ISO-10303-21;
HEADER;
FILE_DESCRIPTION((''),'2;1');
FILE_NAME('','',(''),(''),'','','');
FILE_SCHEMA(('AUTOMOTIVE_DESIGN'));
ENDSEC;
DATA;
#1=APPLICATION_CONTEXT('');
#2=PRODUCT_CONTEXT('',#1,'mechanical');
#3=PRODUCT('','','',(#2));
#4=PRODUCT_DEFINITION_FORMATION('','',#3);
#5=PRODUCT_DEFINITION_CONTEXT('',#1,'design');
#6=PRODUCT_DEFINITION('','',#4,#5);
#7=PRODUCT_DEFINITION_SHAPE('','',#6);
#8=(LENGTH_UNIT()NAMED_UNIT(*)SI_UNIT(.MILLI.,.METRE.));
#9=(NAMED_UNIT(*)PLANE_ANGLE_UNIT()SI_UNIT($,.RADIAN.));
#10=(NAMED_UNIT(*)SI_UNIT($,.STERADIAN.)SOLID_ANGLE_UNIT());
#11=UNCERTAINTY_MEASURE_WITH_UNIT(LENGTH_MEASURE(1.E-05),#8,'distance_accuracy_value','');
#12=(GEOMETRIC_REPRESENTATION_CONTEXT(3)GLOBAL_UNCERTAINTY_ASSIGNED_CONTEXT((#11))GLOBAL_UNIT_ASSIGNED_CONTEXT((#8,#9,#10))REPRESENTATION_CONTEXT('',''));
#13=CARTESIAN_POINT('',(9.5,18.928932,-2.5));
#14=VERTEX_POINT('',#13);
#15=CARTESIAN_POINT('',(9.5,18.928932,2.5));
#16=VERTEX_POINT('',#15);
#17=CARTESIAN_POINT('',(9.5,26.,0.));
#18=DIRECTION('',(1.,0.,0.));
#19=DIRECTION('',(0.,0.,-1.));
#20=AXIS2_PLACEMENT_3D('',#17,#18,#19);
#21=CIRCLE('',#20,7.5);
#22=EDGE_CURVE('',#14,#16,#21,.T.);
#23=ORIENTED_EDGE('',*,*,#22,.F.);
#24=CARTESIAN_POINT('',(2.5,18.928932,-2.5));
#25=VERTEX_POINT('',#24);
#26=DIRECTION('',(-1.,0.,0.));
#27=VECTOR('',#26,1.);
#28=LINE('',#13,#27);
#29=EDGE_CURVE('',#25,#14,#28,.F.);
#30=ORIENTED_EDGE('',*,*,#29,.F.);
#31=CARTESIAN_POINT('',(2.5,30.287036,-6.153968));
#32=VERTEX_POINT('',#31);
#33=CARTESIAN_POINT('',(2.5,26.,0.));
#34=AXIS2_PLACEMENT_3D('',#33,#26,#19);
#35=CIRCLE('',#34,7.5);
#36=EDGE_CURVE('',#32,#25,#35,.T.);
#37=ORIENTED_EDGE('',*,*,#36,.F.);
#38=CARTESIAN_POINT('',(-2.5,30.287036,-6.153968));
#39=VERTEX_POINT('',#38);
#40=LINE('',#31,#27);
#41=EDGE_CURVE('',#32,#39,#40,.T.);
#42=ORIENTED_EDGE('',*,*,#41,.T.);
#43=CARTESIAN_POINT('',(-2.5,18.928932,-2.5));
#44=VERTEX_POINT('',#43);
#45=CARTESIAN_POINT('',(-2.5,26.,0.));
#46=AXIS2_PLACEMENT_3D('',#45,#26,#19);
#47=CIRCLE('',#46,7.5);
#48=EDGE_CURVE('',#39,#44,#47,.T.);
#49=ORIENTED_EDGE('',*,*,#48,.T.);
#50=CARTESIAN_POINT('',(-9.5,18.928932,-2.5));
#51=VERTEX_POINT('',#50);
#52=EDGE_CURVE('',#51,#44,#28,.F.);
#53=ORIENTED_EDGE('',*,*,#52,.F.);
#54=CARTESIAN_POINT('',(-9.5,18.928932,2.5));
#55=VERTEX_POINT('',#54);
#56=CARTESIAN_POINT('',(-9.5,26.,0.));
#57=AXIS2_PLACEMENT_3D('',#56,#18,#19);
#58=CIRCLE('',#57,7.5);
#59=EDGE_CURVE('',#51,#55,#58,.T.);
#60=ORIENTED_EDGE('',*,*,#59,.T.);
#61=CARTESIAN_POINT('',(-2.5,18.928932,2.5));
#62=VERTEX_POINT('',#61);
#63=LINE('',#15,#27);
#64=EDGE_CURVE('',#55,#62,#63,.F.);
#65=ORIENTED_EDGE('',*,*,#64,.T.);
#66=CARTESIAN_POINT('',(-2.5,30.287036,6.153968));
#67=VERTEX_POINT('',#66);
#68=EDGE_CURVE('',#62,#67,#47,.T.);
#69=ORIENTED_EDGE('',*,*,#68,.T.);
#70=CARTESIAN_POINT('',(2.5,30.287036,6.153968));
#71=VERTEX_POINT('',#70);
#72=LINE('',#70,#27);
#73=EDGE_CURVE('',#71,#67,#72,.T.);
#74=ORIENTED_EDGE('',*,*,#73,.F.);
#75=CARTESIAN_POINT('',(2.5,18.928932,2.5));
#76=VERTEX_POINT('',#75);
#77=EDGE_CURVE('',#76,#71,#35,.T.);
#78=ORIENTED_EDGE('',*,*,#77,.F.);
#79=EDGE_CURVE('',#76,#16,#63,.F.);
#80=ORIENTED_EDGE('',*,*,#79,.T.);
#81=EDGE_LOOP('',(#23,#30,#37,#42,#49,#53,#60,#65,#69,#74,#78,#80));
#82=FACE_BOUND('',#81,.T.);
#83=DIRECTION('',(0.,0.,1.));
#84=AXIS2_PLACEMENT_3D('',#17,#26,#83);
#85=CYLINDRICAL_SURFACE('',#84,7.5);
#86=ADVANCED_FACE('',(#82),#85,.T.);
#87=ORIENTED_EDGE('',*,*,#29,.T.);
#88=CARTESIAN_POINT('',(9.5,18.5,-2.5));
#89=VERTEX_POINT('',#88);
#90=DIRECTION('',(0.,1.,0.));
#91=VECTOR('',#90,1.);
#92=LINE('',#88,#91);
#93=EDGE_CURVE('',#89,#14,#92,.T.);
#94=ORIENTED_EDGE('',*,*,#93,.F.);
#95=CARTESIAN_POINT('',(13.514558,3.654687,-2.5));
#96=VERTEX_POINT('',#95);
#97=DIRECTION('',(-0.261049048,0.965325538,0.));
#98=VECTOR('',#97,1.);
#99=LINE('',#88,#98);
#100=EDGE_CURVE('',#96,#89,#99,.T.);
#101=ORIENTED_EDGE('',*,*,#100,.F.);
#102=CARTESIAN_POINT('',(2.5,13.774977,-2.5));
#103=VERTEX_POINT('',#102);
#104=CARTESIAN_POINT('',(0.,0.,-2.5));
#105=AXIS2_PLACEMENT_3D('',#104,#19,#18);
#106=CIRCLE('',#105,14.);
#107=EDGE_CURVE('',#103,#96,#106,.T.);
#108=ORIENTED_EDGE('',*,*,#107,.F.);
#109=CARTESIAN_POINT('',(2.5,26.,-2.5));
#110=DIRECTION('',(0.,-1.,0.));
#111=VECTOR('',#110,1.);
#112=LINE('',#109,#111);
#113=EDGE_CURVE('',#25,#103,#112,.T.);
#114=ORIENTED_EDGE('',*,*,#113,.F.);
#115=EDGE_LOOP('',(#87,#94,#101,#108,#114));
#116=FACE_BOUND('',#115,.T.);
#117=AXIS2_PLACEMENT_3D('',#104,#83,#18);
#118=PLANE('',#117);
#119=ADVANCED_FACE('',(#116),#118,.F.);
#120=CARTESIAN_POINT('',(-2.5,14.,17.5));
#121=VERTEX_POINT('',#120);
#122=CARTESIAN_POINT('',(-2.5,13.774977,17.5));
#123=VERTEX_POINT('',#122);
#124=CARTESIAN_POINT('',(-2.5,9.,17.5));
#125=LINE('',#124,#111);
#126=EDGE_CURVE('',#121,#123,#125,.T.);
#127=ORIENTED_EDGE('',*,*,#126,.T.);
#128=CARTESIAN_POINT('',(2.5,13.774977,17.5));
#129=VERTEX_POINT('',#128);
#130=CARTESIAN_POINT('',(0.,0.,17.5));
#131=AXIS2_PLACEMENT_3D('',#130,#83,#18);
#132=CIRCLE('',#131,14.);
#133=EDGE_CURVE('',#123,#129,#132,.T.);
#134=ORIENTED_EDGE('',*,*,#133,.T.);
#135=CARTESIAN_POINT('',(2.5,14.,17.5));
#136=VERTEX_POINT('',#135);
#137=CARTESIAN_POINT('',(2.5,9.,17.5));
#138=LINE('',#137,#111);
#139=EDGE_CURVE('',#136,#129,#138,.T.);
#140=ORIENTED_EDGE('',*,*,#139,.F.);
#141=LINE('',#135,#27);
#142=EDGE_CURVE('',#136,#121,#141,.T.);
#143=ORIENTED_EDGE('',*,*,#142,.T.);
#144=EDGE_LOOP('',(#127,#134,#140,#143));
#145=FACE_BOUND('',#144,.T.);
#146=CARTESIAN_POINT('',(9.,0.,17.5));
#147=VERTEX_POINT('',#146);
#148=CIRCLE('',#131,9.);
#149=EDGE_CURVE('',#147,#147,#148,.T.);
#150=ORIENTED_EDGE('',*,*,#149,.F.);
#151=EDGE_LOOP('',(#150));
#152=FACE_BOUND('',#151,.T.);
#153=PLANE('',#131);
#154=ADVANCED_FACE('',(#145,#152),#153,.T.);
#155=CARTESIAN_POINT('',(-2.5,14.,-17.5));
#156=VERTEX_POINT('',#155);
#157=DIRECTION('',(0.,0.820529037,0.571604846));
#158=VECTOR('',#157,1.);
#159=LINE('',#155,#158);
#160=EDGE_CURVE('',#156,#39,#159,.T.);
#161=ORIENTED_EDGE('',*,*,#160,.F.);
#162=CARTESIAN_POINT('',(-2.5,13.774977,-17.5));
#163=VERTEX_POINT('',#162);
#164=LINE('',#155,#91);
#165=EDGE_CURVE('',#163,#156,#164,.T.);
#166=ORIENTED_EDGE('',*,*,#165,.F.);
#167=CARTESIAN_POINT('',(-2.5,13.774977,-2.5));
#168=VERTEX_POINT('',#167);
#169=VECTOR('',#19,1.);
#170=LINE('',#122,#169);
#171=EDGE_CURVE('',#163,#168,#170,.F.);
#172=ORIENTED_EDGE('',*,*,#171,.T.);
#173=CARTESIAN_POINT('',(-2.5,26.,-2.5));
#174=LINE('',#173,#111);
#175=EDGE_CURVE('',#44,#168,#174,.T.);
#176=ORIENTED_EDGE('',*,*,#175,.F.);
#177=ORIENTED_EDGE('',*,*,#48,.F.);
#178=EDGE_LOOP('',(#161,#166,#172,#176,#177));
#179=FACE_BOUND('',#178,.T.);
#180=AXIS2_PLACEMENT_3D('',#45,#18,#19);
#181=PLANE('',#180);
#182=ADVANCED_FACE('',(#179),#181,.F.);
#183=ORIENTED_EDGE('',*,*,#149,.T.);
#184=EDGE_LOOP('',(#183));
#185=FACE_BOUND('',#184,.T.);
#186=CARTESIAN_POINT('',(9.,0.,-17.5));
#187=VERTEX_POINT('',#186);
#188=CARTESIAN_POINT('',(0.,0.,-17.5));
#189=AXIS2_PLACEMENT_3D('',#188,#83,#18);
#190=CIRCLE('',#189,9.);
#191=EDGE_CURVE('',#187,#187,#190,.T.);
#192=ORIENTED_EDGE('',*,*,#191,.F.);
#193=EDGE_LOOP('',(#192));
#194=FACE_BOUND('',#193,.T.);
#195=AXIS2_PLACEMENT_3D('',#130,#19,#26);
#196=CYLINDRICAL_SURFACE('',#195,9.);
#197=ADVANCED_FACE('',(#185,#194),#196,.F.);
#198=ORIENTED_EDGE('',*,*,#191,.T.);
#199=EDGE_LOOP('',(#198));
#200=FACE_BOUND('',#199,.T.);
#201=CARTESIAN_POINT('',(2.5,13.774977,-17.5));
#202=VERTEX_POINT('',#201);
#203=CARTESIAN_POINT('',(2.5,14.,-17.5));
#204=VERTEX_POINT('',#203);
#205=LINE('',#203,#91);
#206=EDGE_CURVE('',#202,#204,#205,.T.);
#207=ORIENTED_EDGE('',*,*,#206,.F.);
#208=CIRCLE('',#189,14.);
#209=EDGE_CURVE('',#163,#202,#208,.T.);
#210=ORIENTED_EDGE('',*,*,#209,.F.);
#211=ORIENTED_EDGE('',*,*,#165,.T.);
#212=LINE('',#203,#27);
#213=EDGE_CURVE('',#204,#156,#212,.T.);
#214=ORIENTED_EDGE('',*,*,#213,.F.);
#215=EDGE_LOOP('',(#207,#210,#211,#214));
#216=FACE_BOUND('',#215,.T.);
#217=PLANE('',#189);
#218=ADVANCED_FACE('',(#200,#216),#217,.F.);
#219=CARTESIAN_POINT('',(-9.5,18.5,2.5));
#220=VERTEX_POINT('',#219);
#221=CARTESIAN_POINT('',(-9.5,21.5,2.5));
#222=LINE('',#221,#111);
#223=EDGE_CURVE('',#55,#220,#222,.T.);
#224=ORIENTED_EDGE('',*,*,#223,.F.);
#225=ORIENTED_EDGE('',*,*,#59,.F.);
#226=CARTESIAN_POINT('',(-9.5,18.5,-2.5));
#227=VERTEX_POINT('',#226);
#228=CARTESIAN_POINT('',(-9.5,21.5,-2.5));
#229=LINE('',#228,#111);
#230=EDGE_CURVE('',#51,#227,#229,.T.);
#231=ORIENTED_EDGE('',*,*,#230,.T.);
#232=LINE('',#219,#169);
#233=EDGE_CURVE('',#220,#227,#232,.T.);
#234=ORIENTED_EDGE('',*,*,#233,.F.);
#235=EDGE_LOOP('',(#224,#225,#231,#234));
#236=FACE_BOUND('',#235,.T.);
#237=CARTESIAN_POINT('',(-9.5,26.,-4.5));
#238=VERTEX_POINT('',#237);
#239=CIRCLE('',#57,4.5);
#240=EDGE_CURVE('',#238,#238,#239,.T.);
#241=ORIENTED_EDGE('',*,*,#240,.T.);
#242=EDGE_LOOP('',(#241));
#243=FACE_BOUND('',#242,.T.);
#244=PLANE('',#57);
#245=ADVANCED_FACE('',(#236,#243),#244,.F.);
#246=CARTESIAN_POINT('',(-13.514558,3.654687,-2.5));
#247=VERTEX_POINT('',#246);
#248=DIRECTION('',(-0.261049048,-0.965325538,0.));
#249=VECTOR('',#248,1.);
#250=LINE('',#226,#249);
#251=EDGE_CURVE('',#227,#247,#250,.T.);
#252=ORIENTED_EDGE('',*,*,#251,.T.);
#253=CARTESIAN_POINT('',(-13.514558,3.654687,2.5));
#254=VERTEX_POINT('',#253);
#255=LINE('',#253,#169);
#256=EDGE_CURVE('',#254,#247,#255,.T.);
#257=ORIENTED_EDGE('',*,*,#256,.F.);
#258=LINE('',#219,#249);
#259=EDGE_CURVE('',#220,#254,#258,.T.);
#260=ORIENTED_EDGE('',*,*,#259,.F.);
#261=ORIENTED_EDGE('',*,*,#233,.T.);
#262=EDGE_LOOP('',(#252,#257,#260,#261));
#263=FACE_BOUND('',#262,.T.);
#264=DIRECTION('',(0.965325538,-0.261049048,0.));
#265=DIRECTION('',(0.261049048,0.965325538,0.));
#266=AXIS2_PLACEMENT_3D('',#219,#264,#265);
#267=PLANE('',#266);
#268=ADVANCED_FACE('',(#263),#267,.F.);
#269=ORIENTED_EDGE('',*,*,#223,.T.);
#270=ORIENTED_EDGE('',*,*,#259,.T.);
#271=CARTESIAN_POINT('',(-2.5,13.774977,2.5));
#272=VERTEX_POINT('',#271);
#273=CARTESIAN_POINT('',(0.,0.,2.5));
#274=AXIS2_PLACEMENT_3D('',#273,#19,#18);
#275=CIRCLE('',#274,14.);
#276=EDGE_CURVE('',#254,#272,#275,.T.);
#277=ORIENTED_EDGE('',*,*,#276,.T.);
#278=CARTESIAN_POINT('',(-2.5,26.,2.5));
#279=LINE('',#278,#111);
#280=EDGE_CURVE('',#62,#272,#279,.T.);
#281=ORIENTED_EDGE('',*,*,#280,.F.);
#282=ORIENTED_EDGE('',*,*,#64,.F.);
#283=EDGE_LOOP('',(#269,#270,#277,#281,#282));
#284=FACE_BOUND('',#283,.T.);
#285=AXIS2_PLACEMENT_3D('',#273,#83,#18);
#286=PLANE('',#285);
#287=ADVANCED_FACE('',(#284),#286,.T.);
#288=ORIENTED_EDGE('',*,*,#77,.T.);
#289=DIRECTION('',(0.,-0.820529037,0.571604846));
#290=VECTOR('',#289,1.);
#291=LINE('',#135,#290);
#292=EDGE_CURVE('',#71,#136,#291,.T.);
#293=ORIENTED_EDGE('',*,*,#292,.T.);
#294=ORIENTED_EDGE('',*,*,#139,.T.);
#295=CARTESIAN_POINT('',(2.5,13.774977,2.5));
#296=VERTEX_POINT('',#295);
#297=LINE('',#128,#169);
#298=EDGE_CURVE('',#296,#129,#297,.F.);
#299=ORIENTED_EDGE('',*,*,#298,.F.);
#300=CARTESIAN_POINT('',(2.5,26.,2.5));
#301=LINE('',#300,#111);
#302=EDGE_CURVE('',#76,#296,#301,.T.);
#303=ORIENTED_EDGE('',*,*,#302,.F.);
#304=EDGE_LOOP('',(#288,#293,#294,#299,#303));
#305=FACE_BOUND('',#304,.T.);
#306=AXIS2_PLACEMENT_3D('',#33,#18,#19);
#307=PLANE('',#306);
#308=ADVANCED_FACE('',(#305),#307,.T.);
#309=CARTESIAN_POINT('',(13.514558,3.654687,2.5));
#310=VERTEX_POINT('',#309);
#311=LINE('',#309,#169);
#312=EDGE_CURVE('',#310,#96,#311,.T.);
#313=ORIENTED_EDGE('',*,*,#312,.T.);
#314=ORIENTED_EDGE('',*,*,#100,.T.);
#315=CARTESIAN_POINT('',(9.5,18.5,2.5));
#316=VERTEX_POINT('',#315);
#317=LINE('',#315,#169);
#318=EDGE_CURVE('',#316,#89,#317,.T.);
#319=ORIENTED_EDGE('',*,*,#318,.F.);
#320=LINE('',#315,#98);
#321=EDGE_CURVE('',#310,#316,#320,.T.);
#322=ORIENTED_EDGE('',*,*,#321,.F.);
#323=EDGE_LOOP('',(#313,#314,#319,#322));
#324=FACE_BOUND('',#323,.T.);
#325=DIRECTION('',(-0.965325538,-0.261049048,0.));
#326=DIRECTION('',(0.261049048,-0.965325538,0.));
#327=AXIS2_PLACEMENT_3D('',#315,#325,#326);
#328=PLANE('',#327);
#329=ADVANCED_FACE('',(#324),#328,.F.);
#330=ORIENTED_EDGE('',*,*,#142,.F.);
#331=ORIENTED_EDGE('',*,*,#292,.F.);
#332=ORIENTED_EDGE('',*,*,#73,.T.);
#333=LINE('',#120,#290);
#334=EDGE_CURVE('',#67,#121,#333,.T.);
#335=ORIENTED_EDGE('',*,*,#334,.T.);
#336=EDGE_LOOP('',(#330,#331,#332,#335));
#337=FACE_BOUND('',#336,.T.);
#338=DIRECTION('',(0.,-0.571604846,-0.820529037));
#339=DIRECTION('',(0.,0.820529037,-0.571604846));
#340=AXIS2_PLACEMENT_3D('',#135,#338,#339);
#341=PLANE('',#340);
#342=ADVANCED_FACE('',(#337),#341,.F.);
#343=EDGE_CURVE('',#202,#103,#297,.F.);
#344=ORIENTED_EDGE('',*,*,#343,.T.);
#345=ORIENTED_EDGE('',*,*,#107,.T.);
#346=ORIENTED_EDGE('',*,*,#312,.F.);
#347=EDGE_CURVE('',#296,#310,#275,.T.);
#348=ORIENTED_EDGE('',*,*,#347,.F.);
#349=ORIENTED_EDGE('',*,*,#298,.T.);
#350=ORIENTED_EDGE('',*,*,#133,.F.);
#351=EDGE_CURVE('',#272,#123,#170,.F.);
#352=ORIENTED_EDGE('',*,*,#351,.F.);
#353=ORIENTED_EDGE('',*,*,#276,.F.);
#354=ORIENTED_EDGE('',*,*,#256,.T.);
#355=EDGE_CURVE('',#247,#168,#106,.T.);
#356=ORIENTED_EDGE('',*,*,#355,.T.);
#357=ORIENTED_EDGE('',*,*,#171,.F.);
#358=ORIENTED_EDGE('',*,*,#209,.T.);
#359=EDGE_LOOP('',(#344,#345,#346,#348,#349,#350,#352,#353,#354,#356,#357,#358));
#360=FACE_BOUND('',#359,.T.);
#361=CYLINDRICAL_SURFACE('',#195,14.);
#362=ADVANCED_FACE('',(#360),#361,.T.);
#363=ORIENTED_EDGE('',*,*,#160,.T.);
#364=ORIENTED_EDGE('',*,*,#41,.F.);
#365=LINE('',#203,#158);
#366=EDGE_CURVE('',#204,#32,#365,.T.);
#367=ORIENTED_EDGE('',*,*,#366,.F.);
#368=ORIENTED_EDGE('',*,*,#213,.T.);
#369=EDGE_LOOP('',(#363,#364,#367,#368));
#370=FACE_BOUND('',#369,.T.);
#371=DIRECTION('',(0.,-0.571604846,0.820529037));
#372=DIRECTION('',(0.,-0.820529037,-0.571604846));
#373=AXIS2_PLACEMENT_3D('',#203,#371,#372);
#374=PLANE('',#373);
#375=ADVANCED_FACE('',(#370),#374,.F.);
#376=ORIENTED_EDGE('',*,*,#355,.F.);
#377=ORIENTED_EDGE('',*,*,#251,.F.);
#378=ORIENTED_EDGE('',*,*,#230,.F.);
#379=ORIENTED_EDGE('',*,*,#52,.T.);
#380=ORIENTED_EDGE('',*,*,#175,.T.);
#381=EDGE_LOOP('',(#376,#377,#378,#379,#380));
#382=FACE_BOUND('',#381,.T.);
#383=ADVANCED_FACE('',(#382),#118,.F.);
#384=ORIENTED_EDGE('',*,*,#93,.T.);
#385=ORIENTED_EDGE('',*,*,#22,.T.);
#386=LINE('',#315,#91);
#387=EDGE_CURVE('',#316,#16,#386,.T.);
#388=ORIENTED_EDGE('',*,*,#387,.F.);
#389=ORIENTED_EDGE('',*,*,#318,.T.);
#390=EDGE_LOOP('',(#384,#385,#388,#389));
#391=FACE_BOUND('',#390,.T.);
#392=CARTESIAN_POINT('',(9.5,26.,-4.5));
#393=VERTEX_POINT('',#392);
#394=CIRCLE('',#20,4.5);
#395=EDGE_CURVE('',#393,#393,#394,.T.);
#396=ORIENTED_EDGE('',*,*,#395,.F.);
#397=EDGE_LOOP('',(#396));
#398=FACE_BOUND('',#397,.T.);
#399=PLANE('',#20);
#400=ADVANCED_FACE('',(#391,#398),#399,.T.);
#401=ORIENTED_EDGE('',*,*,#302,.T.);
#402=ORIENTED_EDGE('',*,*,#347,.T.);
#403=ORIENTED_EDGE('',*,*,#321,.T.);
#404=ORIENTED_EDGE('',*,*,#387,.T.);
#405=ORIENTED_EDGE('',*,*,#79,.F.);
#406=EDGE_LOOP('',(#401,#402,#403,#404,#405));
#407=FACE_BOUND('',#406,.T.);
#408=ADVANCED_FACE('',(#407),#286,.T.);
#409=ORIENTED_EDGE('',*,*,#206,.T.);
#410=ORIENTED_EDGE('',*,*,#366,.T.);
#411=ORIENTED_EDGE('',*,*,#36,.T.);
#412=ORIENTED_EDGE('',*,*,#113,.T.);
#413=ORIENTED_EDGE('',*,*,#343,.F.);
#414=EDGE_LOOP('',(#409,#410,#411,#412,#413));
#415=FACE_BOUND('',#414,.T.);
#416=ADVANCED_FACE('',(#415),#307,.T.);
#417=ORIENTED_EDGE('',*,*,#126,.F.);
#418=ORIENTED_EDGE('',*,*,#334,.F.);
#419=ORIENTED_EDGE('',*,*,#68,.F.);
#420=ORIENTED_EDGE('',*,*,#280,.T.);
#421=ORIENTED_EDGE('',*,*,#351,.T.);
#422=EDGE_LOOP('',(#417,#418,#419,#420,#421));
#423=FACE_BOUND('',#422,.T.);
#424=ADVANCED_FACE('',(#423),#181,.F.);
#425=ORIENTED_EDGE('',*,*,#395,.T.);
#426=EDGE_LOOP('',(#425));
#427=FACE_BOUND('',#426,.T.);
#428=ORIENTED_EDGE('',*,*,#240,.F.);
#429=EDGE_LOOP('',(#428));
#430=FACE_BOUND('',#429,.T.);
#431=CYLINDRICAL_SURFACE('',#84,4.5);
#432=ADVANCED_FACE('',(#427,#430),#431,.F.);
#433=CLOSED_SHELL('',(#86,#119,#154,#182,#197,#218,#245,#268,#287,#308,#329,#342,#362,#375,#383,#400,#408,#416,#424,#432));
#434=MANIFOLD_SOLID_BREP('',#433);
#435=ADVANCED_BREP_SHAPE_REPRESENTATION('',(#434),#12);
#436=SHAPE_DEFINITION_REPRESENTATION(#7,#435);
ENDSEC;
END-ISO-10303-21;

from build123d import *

# Parameters (mm, degrees)
SKETCH1_R           = 14
SKETCH1_R_2         = 9
BOSS_EXTRUDE1_DEPTH = 17.5
SKETCH7_R           = 7.5
SKETCH7_R_2         = 4.5
BOSS_EXTRUDE5_DEPTH = 9.5
BOSS_EXTRUDE7_DEPTH = 2.5
BOSS_EXTRUDE8_DEPTH = 2.5


with BuildPart() as part:
    # Sketch1 → Boss-Extrude1 (new body, symmetric)
    with BuildSketch(Plane.XY):
        Circle(SKETCH1_R)
        Circle(SKETCH1_R_2, mode=Mode.SUBTRACT)
    extrude(amount=BOSS_EXTRUDE1_DEPTH, both=True)



with BuildPart() as body_2:
    # Sketch7 → Boss-Extrude5 (new body, symmetric)
    with BuildSketch(Plane(origin=(0, 0, 0), x_dir=(0, 0, -1), z_dir=(1, 0, 0))):
        with Locations((0, 26)):
            Circle(SKETCH7_R)
        with Locations((0, 26)):
            Circle(SKETCH7_R_2, mode=Mode.SUBTRACT)
    extrude(amount=BOSS_EXTRUDE5_DEPTH, both=True)


with BuildPart() as part_1:
    add(part.part)

    add(body_2.part)  # Boss-Extrude7 merges body 2
    # Sketch8 → Boss-Extrude7 (add, symmetric)
    with BuildSketch(Plane(origin=(0, 0, 0), x_dir=(0, 0, -1), z_dir=(1, 0, 0))):
        with BuildLine():
            Line((-17.5, 14), (-6.153967777, 30.287036342))
            ThreePointArc((-6.153967777, 30.287036342), (0, 18.5), (6.153967777, 30.287036342))
            Line((6.153967777, 30.287036342), (17.5, 14))
            Line((17.5, 14), (17.5, 9))
            Line((17.5, 9), (-17.5, 9))
            Line((-17.5, 9), (-17.5, 14))
        make_face()
    extrude(amount=BOSS_EXTRUDE7_DEPTH, both=True)

    # Sketch9 → Boss-Extrude8 (add, symmetric)
    with BuildSketch(Plane.XY):
        with BuildLine():
            Line((9.5, 18.5), (9.5, 21.5))
            Line((9.5, 21.5), (-9.5, 21.5))
            Line((-9.5, 21.5), (-9.5, 18.5))
            Line((-9.5, 18.5), (-13.514557534, 3.654686672))
            ThreePointArc((-13.514557534, 3.654686672), (0, 14), (13.514557534, 3.654686672))
            Line((13.514557534, 3.654686672), (9.5, 18.5))
        make_face()
    extrude(amount=BOSS_EXTRUDE8_DEPTH, both=True)


solid = part_1.part
